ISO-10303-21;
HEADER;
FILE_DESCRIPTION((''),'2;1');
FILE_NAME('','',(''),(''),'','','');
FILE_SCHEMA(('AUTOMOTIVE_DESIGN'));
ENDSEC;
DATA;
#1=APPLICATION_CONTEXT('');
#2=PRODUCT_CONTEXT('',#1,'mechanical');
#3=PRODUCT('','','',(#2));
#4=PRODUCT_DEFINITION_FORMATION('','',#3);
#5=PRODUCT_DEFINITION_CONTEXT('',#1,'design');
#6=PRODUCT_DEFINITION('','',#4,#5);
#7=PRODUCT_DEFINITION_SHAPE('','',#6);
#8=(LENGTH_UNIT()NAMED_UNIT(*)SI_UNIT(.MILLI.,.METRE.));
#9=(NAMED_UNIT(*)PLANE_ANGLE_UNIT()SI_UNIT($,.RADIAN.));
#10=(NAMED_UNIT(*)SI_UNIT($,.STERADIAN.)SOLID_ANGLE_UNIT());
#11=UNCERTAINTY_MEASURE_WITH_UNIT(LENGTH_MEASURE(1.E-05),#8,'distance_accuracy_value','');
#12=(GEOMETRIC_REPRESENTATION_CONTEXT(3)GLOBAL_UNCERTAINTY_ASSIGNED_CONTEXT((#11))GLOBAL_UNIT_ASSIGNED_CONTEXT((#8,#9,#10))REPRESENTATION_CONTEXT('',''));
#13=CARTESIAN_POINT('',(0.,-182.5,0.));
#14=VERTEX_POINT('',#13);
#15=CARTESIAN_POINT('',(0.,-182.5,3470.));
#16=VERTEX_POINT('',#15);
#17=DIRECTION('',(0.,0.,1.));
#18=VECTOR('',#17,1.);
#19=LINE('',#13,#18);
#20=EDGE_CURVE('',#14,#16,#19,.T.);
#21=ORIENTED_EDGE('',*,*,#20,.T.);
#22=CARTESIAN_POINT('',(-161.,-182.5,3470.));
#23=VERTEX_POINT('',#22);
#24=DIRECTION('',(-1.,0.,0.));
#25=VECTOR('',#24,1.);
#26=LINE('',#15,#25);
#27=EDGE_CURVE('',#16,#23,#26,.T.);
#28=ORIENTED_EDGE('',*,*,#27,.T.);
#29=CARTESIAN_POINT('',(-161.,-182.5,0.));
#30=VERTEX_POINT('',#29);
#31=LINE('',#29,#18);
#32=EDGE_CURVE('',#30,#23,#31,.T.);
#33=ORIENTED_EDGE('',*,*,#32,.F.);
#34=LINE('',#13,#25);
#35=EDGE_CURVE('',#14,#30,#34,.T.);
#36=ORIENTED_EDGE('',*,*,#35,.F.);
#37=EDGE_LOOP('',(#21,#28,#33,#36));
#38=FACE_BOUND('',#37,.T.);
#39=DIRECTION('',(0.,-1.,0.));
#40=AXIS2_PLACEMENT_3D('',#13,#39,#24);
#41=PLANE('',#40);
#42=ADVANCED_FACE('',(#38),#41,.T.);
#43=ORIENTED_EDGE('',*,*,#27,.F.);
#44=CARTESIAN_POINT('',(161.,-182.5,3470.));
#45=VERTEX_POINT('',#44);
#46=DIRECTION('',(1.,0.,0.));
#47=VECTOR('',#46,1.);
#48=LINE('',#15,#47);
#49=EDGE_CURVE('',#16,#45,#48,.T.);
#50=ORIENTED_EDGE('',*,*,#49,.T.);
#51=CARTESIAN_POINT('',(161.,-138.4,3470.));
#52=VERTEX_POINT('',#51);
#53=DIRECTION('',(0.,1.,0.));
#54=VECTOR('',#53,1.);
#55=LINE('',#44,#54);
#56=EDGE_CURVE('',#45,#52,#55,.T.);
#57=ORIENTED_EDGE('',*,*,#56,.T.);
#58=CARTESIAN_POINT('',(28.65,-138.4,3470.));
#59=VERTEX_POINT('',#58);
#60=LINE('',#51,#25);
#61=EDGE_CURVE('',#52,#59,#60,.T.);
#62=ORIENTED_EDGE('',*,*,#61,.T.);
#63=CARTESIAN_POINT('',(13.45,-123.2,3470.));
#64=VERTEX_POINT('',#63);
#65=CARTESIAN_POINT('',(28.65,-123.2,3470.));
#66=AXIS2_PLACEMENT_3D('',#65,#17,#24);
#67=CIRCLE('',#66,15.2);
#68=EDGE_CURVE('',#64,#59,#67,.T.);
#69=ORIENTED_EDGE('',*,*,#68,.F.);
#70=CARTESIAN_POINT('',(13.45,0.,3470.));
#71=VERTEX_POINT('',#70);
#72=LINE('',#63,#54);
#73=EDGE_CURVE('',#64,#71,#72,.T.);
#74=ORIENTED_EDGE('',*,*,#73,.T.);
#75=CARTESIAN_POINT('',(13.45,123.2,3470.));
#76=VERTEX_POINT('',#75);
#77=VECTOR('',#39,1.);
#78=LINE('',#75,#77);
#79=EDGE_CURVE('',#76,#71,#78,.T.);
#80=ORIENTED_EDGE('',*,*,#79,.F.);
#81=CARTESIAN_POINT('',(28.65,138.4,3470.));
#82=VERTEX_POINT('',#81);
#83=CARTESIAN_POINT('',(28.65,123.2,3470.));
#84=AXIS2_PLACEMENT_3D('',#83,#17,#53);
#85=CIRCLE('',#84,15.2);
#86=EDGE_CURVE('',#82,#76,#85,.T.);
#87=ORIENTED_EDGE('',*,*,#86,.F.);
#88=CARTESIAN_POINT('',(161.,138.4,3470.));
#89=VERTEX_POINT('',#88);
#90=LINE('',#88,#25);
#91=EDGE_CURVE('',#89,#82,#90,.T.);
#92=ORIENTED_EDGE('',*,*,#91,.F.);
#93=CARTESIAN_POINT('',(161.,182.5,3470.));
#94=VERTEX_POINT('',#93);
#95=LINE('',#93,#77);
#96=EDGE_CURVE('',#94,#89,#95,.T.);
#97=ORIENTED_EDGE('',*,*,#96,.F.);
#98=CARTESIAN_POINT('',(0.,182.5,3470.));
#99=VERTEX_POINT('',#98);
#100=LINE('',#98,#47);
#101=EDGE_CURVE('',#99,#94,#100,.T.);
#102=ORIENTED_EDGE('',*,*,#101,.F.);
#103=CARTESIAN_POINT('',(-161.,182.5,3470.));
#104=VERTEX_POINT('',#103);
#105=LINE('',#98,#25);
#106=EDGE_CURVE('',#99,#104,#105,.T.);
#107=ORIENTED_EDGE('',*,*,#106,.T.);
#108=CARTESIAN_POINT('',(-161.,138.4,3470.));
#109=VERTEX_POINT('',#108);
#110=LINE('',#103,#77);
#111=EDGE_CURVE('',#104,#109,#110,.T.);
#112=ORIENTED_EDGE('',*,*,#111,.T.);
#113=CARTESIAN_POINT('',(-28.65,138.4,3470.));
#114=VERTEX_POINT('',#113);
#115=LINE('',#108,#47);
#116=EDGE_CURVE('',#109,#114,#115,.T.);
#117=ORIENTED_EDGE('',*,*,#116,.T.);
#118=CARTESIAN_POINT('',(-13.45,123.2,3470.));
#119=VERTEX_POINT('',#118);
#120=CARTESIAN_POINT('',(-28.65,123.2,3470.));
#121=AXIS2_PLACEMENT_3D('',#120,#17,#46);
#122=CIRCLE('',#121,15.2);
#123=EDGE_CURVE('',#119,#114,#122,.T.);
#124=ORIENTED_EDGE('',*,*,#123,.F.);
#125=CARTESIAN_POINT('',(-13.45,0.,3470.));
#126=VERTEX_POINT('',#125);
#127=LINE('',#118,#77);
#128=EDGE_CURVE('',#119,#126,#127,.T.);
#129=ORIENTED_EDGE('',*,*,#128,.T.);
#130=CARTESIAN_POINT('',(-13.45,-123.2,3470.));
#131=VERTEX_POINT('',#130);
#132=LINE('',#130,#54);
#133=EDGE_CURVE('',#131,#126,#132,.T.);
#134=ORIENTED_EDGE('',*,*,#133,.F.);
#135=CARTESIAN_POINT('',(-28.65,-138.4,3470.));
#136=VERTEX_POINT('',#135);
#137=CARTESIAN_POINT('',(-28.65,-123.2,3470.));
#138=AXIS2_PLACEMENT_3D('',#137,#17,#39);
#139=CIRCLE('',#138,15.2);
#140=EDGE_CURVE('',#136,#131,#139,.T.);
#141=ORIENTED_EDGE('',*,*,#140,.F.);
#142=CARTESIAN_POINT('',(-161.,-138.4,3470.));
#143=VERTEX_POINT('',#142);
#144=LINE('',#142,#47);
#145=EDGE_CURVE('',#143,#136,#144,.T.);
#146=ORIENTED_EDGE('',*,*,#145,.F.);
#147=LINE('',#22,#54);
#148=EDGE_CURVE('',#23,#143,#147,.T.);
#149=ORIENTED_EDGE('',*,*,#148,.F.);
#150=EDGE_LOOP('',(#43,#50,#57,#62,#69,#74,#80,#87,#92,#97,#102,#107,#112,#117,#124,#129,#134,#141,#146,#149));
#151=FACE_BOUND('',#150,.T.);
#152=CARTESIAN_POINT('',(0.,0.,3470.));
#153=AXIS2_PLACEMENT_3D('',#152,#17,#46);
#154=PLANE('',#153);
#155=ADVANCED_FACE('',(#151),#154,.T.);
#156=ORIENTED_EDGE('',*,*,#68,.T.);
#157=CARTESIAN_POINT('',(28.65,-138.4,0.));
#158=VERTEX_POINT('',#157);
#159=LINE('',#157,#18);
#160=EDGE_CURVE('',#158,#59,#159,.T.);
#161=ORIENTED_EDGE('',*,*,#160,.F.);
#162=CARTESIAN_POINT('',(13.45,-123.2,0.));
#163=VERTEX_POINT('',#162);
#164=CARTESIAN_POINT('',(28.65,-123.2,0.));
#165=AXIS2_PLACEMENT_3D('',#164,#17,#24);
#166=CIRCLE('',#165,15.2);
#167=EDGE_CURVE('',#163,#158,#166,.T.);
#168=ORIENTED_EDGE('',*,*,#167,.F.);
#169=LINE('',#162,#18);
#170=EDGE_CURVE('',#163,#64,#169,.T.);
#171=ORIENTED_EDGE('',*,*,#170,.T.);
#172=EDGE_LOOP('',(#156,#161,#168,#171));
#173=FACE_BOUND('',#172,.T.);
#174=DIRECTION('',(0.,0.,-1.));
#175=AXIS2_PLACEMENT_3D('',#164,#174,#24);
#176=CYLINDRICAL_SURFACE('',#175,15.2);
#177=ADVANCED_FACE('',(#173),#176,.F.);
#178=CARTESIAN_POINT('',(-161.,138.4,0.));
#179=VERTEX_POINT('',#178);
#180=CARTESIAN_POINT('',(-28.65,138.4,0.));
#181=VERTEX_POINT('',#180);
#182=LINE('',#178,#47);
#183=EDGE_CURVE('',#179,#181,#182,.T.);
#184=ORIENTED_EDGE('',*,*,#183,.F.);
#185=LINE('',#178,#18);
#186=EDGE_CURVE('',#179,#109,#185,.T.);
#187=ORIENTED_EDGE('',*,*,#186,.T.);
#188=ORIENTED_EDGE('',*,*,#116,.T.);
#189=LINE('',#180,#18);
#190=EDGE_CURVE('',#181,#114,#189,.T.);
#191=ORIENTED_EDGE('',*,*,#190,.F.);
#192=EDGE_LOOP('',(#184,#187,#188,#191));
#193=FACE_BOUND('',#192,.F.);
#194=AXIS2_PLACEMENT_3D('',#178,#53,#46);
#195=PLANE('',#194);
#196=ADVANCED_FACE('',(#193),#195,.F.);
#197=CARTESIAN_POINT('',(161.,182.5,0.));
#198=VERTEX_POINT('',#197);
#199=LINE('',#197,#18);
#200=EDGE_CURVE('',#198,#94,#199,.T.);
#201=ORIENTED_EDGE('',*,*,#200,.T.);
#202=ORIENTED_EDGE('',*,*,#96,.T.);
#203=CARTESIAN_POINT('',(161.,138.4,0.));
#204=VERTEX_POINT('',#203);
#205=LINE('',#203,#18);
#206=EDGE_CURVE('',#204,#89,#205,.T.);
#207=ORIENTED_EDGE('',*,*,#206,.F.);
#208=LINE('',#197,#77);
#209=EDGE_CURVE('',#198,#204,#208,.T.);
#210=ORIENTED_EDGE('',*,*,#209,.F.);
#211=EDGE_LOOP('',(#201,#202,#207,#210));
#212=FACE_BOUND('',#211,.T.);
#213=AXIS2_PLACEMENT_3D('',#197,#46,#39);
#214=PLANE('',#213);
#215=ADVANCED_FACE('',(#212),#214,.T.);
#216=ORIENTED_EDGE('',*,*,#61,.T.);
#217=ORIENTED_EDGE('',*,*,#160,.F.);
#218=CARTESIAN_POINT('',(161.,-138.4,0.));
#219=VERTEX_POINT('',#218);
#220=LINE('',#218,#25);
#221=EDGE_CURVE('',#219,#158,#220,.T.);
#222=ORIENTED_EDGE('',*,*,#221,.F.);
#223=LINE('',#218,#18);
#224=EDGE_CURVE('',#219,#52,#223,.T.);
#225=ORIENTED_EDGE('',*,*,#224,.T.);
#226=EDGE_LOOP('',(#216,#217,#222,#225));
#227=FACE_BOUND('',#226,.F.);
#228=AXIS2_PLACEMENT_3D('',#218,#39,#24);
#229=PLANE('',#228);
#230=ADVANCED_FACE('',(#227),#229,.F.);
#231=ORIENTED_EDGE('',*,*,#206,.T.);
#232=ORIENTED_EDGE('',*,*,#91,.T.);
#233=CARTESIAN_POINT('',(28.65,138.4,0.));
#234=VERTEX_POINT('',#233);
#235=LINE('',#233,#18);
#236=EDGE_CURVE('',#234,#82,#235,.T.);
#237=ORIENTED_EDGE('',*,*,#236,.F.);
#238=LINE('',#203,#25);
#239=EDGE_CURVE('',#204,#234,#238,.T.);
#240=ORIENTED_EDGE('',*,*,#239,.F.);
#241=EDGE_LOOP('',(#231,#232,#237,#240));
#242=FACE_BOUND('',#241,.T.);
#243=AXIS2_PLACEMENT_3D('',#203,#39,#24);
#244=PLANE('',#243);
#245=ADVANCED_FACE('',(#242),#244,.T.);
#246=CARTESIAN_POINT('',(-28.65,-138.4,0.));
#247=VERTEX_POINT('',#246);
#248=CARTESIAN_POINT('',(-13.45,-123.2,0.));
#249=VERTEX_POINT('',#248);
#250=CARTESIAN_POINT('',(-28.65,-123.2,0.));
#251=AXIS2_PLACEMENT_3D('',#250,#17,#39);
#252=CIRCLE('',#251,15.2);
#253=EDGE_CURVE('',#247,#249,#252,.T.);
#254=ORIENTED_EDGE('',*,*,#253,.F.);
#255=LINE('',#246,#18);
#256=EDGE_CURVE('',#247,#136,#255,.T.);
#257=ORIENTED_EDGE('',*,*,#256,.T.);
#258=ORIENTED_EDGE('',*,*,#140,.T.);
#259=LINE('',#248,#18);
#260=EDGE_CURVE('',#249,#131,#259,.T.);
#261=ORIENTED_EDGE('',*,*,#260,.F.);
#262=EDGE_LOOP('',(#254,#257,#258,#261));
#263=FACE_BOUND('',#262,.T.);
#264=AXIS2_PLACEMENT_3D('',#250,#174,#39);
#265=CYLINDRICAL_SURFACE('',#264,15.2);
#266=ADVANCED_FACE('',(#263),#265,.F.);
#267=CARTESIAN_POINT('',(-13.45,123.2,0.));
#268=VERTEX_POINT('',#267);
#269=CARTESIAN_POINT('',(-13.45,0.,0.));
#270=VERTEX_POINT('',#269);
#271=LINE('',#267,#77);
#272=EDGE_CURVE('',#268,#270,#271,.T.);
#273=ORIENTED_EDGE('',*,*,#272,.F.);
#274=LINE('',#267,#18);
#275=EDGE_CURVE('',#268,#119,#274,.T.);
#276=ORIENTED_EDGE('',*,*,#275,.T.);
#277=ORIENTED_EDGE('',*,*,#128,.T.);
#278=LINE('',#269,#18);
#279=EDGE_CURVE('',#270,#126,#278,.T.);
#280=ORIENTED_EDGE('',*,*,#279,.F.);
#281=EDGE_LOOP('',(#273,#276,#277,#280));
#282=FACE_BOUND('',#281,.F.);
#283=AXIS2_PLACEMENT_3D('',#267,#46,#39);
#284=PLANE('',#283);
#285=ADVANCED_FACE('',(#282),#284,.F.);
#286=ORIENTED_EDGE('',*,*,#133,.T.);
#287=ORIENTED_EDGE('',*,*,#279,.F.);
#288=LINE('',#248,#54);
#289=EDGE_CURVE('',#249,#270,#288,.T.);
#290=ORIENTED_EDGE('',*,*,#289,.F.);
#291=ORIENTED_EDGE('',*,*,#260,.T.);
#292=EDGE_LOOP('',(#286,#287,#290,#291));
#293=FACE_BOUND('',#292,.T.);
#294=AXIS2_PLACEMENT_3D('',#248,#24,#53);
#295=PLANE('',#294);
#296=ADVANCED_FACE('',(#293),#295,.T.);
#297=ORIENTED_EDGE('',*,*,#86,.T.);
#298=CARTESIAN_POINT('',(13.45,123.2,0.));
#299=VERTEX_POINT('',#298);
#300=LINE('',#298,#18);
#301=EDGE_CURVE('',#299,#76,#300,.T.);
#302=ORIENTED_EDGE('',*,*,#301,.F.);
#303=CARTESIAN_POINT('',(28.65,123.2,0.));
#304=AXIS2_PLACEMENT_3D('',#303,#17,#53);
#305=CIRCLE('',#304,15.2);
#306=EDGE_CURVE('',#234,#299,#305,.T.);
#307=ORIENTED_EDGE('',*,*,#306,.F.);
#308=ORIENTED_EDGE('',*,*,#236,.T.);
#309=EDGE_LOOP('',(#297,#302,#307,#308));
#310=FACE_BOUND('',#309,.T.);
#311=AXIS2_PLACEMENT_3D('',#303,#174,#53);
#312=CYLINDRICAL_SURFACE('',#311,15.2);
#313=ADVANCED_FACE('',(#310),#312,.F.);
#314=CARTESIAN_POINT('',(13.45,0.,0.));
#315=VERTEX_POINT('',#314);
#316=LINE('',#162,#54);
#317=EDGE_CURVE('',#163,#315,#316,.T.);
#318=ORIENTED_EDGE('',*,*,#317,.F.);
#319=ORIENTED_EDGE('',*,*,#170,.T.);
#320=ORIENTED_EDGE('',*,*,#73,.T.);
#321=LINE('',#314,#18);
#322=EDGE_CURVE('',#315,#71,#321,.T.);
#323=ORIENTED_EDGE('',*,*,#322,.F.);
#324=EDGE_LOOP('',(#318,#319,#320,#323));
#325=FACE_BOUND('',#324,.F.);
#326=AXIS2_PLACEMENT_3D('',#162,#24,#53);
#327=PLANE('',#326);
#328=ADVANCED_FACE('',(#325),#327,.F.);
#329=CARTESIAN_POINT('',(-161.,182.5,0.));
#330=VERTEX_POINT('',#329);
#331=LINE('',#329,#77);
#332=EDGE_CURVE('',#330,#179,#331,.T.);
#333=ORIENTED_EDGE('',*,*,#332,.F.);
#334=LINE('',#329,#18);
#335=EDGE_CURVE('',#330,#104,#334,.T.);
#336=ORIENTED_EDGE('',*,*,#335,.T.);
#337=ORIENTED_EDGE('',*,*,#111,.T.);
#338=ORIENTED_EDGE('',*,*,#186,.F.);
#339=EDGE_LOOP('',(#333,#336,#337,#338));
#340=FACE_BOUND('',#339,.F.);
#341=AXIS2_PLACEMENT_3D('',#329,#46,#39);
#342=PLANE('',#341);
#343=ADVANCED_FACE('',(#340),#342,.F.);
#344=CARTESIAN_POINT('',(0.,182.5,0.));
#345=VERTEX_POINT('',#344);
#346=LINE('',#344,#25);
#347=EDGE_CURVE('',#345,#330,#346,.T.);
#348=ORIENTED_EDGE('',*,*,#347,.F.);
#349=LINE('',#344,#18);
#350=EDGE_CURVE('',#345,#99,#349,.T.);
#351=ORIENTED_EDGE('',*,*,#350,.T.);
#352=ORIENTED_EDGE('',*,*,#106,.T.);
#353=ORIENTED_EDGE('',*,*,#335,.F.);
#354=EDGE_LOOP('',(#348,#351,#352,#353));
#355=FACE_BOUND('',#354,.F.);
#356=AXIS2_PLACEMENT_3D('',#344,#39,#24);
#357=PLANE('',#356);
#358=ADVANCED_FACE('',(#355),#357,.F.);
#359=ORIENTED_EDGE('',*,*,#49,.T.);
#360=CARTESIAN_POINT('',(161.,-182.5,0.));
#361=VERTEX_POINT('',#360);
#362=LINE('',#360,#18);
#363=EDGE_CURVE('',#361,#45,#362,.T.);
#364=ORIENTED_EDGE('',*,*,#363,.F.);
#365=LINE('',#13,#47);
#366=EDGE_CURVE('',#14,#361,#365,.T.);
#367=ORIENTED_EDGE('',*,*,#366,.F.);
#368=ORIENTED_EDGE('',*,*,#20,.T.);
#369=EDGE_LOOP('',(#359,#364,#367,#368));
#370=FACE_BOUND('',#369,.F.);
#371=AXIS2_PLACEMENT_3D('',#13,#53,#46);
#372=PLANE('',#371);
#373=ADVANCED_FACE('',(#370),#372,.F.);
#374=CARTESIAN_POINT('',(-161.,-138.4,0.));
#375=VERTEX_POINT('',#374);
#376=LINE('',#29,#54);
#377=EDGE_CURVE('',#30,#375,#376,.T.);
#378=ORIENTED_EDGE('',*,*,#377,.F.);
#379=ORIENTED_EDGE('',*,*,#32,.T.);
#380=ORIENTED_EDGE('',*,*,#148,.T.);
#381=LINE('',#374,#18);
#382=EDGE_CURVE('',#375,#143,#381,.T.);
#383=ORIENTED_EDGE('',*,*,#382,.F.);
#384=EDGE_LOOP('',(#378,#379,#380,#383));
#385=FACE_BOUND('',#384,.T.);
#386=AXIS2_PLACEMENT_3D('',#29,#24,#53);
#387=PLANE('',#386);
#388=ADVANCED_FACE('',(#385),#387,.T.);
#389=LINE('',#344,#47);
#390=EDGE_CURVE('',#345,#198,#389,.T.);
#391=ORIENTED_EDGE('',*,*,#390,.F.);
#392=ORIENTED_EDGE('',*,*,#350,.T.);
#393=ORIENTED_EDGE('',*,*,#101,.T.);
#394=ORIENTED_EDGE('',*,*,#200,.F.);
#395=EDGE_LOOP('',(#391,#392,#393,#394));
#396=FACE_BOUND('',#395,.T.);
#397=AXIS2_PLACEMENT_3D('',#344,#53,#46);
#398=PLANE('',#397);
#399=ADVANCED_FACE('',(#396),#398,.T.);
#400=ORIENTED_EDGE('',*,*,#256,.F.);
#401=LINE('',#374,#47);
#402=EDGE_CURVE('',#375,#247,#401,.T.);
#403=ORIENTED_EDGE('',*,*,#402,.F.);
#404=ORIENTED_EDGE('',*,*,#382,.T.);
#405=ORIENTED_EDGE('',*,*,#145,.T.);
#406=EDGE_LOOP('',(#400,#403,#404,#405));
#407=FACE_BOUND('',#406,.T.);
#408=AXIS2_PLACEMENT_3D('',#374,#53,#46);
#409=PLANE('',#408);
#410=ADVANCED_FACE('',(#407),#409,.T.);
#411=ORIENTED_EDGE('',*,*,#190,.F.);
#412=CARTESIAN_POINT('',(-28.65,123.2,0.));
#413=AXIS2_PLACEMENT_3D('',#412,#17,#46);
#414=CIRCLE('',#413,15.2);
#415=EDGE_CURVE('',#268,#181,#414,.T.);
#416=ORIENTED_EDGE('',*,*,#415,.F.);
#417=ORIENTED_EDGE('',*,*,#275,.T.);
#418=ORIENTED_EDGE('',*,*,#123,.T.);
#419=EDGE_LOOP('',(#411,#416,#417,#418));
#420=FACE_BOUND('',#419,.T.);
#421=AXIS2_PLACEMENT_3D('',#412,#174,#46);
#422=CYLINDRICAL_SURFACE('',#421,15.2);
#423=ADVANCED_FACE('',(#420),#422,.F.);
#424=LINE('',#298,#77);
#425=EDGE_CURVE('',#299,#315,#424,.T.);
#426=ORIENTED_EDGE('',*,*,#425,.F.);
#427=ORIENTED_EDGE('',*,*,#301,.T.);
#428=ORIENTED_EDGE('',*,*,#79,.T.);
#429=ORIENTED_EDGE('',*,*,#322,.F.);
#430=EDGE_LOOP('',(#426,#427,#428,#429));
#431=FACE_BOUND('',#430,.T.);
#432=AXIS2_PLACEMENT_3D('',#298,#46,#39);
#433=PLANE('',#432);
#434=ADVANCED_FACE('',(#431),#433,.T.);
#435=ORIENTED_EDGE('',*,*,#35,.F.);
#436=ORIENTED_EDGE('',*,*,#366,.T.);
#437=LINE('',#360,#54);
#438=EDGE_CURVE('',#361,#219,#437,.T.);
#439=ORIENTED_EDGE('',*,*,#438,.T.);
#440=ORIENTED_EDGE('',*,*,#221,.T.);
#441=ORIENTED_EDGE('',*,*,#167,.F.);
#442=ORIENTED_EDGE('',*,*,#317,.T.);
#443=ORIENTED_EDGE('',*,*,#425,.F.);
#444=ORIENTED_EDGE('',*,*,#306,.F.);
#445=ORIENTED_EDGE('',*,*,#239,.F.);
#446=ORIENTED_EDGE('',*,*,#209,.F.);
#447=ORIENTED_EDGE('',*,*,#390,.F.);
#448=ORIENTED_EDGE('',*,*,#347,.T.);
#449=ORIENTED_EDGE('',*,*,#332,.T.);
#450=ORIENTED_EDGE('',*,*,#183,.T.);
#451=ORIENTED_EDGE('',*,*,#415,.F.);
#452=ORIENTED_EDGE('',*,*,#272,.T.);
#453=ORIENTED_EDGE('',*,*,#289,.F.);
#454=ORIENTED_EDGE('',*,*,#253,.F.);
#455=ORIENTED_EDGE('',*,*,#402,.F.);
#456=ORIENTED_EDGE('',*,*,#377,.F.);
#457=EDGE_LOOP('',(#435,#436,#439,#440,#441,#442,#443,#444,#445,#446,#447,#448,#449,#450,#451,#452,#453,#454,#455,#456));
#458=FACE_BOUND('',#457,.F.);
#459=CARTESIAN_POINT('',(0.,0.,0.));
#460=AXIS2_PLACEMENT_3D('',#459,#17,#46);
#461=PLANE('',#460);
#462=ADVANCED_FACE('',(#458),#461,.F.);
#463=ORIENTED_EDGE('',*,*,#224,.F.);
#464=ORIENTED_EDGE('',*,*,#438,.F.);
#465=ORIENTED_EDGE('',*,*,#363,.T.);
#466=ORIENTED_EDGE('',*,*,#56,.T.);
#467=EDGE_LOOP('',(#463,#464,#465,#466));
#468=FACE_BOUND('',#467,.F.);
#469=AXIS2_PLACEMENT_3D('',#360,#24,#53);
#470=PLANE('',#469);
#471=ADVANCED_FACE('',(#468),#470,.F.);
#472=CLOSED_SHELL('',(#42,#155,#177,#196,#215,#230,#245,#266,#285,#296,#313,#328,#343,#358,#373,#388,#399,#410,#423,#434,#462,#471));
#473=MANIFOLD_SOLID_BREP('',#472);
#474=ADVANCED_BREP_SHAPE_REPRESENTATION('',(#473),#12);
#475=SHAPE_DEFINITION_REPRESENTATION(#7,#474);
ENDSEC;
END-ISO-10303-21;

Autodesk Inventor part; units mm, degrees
ref_plane "YZ Plane" through (0, 0, 0) normal (1, 0, 0) x (0, 1, 0)
ref_plane "Start plane" through (0, 0, 0) normal (0, 0, 1) x (1, 0, 0)
ref_plane "End plane" through (0, 0, 3470) normal (0, 0, 1) x (1, 0, 0)
sketch "Sketch" plane through (0, 0, 0) normal (0, 0, 1) x (1, 0, 0)
  line L0 (-161, -182.5) -> (-161, -138.4)
  line L1 (-161, -138.4) -> (-28.65, -138.4)
  line L2 (-13.45, -123.2) -> (-13.45, 0)
  line L3 (-13.45, 0) -> (0, 0) construction
  line L4 (0, 0) -> (0, -182.5) construction
  line L5 (0, -182.5) -> (-161, -182.5)
  line L6 (-60, 0) -> (80, 0) construction
  line L7 (0, -60) -> (0, 80) construction
  line L8 (161, -182.5) -> (161, -138.4)
  line L9 (161, -138.4) -> (28.65, -138.4)
  line L10 (13.45, -123.2) -> (13.45, 0)
  line L11 (13.45, 0) -> (0, 0) construction
  line L12 (0, -182.5) -> (161, -182.5)
  line L13 (-161, 182.5) -> (-161, 138.4)
  line L14 (-161, 138.4) -> (-28.65, 138.4)
  line L15 (-13.45, 123.2) -> (-13.45, 0)
  line L16 (0, 182.5) -> (-161, 182.5)
  line L17 (161, 182.5) -> (161, 138.4)
  line L18 (161, 138.4) -> (28.65, 138.4)
  line L19 (0, 182.5) -> (161, 182.5)
  line L20 (13.45, 123.2) -> (13.45, 0)
  arc A0 (-13.45, 123.2) -> (-28.65, 138.4) centre (-28.65, 123.2) ccw
  arc A1 (28.65, 138.4) -> (13.45, 123.2) centre (28.65, 123.2) ccw
  arc A2 (13.45, -123.2) -> (28.65, -138.4) centre (28.65, -123.2) ccw
  arc A3 (-28.65, -138.4) -> (-13.45, -123.2) centre (-28.65, -123.2) ccw
  line L21 (0, 108) -> (0, -88) construction
  line L22 (-88, 0) -> (108, 0) construction
  point P0 (-13.45, -138.4)
  point P1 (13.45, -138.4)
  point P2 (-13.45, 138.4)
  point P3 (13.45, 138.4)
  dimension "d1" = 182.5
  dimension "d2" = 44.1
  dimension "d3" = 161
  dimension "d4" = 13.45
  dimension "d10" = 15.2
extrude "Body" add sketch "Sketch" along normal up to surface (3470 mm away) from surface at 0
sketch "Sketch4" plane through (0, 0, 0) normal (0, 0, 1) x (1, 0, 0)
  line L0 (0, 0) -> (10, 0)
ref_plane "Work Plane3" through (0, 0, 0) normal (0, -1, 0) x (1, 0, 0)
sketch "Sketch5" plane through (0, 0, 0) normal (0, -1, 0) x (1, 0, 0)
  line L0 (-2, 0) -> (12, 0) projected
  line L1 (-2, 3470) -> (12, 3470) projected
  dimension "d14" = 3470
equation "\"d1\" = 0.5 * G_H"
equation "\"d2\" = G_T1"
equation "\"d3\" = 0.5 * G_W"
equation "\"d4\" = 0.5 * G_T"
equation "\"d10\" = G_IR"
equation "\"d5\" = G_L"
equation "\"G_W\" = 322"
equation "\"G_H\" = 365"
equation "\"G_T\" = 26.9"
equation "\"G_T1\" = 44.1"
equation "\"G_IR\" = 15.2"
equation "\"G_L\" = d14"
equation "\"G_OFFSET_START\" = 0"
equation "\"G_OFFSET_END\" = 0"
properties part number "AS 3679 - 310 UC - 283 - 3470" material "Steel, Mild"
